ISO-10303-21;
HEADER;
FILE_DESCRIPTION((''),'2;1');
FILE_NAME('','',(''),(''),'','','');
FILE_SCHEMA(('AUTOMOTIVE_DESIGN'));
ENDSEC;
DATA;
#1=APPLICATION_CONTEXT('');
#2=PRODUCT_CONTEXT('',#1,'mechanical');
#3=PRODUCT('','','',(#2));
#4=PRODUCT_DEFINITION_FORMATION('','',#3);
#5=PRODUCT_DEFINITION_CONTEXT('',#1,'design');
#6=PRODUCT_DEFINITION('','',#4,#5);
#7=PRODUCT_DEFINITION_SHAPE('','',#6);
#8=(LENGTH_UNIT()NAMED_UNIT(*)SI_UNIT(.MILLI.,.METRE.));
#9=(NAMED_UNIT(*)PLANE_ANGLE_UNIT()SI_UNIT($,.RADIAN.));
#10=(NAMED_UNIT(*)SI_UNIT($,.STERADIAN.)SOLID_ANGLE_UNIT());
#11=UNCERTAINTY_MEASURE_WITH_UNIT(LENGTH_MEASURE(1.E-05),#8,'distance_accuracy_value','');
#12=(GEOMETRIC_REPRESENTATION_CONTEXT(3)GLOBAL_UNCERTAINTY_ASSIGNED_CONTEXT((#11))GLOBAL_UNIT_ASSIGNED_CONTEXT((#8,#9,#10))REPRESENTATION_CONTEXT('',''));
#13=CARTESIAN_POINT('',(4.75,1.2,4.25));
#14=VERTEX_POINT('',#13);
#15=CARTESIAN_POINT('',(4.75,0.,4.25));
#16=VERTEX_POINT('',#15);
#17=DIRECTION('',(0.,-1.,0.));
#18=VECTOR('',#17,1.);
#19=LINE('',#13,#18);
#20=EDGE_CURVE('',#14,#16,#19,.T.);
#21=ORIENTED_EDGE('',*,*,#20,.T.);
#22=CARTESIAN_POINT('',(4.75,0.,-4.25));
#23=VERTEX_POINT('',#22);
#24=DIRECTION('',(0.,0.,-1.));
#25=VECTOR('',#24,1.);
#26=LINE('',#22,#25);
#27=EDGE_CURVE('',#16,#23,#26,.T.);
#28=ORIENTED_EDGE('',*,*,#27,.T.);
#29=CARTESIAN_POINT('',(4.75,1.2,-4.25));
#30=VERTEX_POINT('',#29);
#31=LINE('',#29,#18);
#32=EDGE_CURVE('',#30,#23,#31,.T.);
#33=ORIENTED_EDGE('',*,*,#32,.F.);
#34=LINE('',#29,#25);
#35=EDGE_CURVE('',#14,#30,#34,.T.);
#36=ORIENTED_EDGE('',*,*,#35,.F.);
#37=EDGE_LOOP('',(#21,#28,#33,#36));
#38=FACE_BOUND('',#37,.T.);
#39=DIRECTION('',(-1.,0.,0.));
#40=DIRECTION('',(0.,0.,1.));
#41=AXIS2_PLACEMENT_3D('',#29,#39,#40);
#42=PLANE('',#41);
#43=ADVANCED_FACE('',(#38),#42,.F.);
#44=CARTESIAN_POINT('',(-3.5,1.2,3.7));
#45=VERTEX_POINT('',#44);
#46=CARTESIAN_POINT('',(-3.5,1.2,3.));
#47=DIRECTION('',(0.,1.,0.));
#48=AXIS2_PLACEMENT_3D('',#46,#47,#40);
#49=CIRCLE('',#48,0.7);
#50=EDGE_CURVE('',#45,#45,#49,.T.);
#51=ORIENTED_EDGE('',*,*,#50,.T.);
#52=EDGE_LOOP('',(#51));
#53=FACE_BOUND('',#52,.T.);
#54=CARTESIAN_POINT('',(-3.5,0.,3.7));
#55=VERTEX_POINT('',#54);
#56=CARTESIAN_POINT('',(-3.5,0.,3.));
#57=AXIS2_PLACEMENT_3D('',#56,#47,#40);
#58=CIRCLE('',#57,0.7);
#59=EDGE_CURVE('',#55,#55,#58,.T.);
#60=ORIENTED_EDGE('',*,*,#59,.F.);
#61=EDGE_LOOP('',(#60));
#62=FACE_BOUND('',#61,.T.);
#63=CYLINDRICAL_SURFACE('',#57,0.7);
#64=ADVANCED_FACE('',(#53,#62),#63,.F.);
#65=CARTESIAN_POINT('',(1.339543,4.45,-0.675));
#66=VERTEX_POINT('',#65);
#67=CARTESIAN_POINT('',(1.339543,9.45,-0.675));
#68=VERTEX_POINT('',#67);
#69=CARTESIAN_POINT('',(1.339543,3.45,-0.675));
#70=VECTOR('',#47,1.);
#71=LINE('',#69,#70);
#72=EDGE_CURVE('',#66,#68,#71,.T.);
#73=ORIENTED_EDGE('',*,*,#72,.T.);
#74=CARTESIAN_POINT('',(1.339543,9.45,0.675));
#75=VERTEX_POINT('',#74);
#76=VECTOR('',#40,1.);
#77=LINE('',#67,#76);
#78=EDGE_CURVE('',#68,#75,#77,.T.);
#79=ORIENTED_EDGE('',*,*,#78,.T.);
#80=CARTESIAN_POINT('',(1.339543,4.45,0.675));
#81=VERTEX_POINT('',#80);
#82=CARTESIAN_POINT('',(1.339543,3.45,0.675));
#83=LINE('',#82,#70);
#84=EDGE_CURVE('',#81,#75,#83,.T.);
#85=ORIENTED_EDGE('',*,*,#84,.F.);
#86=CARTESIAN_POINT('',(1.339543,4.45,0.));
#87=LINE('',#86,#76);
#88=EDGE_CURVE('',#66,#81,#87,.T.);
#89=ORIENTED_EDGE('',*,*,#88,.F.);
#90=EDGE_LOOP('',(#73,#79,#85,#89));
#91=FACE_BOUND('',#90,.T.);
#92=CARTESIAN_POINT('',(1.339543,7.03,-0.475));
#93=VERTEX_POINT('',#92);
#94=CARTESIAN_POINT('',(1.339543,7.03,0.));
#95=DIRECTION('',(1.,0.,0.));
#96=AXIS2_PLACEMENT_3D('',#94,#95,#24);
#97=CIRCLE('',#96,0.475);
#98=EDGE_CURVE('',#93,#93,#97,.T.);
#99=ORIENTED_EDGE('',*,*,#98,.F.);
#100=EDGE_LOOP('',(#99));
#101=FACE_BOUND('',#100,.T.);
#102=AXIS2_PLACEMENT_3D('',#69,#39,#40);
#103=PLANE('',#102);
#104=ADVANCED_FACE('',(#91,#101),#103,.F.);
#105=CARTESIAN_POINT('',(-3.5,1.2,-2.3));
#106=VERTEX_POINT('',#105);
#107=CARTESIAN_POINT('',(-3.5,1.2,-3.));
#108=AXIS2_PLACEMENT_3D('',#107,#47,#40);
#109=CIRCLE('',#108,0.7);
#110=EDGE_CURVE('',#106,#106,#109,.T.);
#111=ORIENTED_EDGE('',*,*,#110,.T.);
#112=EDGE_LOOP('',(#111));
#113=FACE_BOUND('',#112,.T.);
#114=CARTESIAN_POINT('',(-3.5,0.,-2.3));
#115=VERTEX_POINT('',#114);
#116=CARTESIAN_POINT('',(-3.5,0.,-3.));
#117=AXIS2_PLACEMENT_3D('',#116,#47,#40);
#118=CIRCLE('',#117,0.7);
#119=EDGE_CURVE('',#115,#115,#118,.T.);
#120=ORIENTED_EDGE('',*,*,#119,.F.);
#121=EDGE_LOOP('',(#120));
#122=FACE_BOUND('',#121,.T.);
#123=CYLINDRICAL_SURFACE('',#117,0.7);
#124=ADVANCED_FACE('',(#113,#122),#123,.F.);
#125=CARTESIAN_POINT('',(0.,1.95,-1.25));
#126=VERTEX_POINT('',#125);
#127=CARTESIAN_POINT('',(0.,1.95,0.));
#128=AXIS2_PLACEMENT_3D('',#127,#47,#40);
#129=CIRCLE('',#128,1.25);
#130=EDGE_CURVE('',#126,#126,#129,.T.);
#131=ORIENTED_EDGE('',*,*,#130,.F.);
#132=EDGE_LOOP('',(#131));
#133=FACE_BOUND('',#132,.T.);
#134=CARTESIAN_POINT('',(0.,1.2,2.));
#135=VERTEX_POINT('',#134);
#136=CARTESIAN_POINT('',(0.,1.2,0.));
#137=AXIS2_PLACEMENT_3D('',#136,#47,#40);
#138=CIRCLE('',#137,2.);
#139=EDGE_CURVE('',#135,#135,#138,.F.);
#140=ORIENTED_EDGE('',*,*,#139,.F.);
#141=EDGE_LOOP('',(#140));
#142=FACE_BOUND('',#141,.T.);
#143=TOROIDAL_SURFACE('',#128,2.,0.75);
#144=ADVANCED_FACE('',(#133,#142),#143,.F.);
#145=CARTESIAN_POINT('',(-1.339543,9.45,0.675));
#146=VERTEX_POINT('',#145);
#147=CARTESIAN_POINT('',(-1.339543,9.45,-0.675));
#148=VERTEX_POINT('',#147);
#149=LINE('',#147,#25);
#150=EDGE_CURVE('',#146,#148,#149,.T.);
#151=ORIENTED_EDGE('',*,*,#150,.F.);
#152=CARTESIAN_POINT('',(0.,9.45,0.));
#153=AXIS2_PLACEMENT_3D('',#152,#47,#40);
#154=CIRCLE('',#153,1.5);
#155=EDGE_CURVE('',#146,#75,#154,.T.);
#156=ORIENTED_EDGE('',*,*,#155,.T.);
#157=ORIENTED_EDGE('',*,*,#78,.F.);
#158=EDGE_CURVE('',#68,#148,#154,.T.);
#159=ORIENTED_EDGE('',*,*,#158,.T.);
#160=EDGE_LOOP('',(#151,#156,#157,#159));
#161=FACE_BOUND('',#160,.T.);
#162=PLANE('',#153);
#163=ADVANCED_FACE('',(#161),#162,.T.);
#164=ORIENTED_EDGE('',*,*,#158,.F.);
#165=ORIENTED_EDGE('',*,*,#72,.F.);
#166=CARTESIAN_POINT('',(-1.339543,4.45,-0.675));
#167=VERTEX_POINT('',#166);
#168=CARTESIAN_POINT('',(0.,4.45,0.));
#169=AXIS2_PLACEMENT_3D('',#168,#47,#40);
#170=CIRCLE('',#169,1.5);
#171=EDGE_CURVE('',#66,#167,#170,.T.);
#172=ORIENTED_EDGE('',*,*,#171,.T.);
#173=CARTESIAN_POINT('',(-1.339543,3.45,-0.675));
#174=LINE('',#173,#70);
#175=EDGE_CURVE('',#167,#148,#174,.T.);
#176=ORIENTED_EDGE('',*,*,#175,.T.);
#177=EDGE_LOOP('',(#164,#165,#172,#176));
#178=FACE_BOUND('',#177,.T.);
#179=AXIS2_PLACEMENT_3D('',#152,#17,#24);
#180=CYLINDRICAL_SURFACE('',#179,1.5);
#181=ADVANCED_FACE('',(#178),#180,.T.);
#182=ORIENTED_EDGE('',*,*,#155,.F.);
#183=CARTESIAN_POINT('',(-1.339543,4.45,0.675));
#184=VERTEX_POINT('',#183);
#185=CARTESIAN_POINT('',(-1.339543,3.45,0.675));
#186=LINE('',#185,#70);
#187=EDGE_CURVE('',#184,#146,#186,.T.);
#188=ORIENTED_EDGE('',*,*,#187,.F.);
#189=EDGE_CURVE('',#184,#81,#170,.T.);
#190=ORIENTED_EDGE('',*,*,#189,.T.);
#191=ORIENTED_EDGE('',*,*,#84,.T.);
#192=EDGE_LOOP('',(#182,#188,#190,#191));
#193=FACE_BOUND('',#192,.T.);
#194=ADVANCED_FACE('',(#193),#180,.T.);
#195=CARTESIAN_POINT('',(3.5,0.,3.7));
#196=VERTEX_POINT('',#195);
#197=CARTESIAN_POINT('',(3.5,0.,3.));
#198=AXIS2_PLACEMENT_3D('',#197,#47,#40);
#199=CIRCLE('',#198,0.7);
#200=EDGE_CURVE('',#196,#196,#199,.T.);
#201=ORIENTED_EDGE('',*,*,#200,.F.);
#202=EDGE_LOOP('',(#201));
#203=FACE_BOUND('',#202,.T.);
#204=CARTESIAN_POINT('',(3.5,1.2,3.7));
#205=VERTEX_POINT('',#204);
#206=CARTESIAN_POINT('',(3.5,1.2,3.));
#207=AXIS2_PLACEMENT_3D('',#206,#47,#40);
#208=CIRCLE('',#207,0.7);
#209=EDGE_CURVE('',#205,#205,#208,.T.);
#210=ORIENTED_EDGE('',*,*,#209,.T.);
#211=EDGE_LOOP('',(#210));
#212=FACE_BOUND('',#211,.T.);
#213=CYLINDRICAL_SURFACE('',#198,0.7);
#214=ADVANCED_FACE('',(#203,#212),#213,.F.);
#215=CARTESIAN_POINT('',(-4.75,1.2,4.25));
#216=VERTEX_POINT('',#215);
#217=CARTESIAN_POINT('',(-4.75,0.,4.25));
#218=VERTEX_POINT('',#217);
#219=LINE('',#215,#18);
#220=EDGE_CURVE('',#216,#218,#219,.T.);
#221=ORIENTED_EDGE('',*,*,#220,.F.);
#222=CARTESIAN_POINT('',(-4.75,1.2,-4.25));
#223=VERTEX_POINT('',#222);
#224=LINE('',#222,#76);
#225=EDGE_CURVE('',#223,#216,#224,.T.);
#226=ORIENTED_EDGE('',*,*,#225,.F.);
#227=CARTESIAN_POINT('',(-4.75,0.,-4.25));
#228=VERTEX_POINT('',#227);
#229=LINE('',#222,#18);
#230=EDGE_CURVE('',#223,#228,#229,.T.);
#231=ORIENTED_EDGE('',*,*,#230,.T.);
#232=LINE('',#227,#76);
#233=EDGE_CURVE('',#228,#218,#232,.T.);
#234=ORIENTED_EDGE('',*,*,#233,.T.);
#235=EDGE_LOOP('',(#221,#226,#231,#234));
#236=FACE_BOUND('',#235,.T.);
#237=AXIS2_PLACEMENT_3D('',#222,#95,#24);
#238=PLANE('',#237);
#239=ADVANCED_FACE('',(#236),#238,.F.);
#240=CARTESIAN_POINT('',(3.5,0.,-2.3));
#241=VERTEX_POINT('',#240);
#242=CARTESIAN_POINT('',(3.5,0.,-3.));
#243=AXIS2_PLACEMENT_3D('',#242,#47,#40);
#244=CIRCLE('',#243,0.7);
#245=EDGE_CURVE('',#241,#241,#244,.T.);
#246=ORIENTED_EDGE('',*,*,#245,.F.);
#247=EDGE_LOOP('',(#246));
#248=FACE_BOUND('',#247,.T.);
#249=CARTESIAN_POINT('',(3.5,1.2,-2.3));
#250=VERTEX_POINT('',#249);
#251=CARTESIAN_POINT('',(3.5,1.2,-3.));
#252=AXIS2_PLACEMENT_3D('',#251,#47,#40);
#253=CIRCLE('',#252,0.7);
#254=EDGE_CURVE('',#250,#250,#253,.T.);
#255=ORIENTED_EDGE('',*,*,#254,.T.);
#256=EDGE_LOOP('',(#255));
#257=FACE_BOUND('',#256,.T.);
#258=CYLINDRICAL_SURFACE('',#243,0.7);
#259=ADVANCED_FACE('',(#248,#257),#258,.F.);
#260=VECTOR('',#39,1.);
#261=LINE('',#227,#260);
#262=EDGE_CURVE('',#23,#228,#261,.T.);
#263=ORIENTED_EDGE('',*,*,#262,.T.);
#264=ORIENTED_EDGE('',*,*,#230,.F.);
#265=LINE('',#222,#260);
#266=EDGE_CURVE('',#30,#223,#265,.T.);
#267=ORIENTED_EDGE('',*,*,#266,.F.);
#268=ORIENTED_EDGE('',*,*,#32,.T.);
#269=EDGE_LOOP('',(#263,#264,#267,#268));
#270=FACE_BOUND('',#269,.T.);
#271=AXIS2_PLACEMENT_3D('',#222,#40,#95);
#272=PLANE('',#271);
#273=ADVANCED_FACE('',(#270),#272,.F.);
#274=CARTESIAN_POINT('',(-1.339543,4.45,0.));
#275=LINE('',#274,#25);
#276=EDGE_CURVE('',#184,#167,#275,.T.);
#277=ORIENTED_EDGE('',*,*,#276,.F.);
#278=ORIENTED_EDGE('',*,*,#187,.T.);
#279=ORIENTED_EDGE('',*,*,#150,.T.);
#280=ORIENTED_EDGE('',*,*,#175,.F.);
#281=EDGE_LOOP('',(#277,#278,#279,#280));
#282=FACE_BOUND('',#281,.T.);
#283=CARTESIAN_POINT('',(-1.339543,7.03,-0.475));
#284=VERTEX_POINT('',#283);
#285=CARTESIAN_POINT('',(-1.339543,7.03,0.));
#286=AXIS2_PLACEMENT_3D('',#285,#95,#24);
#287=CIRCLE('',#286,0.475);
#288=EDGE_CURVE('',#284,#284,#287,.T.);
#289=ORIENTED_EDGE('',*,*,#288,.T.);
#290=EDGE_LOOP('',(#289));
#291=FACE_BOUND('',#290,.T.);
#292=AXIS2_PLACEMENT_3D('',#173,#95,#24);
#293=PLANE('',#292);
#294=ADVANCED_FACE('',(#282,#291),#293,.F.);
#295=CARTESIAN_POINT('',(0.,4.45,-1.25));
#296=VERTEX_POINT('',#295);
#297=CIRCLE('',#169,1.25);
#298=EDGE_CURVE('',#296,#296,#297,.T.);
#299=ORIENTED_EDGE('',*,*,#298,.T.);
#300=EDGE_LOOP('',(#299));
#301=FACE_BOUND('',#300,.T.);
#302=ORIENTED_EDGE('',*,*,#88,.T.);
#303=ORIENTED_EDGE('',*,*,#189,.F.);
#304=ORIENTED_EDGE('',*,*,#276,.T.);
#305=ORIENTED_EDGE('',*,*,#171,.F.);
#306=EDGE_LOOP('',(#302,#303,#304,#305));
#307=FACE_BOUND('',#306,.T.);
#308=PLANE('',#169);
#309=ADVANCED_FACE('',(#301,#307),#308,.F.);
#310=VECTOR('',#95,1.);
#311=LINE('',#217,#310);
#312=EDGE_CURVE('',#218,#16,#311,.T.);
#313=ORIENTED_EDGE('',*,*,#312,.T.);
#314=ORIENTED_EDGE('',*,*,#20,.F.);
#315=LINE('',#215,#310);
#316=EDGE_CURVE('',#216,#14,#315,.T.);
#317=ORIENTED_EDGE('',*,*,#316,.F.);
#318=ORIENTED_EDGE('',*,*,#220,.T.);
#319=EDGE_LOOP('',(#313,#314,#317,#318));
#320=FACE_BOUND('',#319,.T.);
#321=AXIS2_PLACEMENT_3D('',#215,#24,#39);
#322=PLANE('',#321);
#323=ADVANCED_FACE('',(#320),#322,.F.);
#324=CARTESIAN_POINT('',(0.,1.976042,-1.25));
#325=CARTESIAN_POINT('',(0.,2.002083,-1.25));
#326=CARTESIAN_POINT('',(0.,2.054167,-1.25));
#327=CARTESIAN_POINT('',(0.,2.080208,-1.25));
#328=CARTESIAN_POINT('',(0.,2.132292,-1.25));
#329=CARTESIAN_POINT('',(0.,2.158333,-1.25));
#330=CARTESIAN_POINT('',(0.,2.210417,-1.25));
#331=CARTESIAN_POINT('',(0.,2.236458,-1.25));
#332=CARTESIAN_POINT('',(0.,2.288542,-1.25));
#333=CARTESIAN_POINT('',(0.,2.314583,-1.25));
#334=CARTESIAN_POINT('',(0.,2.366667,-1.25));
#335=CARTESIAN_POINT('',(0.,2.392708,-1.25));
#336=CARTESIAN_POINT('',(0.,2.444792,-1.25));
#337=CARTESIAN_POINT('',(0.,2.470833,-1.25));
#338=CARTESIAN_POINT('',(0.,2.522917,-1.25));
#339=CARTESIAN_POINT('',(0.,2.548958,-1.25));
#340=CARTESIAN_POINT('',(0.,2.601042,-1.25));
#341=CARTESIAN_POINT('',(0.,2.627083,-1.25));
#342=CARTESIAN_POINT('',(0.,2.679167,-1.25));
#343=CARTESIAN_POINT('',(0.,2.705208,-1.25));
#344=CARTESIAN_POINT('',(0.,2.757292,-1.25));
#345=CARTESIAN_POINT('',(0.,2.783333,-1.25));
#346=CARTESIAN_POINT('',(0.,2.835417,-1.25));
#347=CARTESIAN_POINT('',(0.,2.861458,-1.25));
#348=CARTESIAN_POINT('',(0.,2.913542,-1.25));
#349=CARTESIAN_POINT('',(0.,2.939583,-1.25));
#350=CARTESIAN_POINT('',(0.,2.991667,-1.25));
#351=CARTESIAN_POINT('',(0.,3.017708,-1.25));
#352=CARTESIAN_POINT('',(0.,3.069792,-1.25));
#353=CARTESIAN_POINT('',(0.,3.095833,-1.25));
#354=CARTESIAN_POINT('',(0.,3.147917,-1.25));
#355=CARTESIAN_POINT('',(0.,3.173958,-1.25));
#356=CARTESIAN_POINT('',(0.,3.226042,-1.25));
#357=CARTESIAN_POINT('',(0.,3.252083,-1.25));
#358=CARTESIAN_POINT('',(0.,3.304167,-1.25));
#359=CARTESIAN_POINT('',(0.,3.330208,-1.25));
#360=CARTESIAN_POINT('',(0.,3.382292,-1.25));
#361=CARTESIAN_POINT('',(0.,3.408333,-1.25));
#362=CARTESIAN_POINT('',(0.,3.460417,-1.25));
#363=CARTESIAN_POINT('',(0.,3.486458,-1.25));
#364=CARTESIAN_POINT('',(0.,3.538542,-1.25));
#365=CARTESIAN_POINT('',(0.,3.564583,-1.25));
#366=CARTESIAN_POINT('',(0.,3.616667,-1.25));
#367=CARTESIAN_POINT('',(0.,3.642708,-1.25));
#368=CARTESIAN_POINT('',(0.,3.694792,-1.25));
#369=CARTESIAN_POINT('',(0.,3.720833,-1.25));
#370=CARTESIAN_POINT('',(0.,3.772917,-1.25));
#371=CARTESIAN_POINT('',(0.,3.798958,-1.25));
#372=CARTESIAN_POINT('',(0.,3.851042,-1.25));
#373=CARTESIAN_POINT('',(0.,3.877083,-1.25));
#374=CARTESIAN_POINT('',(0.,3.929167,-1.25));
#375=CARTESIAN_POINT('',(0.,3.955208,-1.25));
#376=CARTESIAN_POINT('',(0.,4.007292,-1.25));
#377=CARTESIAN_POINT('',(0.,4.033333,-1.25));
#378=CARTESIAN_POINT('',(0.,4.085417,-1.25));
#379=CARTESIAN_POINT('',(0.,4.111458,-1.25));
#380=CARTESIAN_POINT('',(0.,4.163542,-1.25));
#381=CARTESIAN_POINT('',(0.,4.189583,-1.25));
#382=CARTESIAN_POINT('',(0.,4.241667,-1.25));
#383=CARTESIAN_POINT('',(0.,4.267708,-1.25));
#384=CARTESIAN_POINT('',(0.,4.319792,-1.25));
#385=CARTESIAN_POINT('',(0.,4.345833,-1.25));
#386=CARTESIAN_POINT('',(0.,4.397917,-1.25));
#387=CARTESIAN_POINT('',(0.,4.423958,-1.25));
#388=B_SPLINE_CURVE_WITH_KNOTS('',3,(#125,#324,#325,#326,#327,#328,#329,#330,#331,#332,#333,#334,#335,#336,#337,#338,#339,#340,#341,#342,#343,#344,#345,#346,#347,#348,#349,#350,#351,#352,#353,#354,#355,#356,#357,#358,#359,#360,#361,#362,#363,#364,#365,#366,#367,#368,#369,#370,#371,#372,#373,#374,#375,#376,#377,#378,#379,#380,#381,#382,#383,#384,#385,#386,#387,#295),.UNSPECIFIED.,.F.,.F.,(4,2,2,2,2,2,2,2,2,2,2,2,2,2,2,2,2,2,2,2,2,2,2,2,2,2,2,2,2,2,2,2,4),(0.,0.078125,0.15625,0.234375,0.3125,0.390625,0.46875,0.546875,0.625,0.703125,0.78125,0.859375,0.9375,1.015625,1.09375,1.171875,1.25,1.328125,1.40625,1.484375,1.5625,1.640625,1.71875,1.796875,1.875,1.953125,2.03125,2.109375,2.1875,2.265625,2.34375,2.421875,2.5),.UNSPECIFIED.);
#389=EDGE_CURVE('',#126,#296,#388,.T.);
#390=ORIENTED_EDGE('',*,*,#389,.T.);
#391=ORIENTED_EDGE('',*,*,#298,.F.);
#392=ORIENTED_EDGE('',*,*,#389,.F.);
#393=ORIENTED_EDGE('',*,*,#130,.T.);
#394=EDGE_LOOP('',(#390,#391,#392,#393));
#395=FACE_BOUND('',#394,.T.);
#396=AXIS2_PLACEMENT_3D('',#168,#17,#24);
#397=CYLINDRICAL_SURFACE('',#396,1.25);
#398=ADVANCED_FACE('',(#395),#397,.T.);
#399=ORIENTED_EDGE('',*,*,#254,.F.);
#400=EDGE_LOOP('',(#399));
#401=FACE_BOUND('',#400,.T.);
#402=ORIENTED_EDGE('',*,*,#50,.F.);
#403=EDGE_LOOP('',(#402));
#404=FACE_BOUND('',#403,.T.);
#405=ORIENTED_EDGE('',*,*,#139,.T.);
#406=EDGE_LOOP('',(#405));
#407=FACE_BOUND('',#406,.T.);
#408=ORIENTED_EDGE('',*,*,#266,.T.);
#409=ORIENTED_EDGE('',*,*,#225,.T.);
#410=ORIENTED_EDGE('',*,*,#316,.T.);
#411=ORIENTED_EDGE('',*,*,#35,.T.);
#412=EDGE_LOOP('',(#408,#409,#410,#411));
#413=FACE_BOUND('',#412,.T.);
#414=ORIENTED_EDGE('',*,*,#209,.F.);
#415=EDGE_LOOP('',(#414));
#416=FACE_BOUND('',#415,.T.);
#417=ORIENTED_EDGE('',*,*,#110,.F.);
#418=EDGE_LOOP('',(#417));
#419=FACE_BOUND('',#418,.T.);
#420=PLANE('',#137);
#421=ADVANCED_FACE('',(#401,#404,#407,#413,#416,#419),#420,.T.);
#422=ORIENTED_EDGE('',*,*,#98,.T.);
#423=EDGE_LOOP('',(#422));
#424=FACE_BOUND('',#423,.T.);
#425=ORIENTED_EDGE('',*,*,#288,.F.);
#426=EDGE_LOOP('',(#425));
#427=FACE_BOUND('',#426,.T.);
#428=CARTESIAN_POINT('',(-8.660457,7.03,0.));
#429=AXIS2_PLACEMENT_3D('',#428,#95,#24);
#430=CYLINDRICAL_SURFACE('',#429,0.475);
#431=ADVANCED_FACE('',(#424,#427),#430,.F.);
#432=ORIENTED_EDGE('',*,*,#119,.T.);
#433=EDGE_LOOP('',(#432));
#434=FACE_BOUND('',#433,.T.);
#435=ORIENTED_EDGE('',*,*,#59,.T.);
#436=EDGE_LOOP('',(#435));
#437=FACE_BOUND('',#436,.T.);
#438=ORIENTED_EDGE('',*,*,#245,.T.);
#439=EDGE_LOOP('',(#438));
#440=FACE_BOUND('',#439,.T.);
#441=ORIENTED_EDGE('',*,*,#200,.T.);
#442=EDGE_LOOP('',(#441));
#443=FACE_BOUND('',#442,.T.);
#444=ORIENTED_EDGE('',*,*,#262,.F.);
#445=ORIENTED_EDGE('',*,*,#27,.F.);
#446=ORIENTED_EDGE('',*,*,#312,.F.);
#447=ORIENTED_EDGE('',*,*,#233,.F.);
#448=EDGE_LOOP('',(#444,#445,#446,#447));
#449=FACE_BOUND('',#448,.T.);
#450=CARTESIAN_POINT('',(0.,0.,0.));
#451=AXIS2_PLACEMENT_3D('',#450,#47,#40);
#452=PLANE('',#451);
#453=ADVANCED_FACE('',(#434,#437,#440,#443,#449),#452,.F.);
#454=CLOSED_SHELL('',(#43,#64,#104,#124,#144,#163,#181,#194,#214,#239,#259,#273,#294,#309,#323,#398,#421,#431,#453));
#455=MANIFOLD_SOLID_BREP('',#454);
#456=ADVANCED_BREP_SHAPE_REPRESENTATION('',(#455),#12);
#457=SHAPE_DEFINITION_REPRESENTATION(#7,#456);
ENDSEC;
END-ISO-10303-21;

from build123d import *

# Parameters (mm, degrees)
SKETCH1_W               = 9.5
SKETCH1_H               = 8.5
BOSS_EXTRUDE1_DEPTH     = 1.2
CUT_EXTRUDE1_DEPTH      = 7.485753619
CUT_EXTRUDE1_DEPTH_BACK = 7.485753619
SKETCH2_R               = 0.7
SKETCH5_R               = 1.25
BOSS_EXTRUDE2_DEPTH     = 3.25
FILLET1_R               = 0.75
SKETCH37_R              = 1.5
BOSS_EXTRUDE3_DEPTH     = 5
CUT_EXTRUDE3_START      = -6
CUT_EXTRUDE3_DEPTH      = 6
SKETCH41_R              = 0.475
CUT_EXTRUDE4_DEPTH      = 10


with BuildPart() as part:
    # Sketch1 → Boss-Extrude1 (new body)
    with BuildSketch(Plane(origin=(0, 0, 0), x_dir=(1, 0, 0), z_dir=(0, 1, 0))):
        Rectangle(SKETCH1_W, SKETCH1_H)
    extrude(amount=BOSS_EXTRUDE1_DEPTH)

    # Sketch2 → Cut-Extrude1 (cut, two sides: drawn at the far end of the back side and taken through both)
    with BuildSketch(Plane(origin=(0, 1.2, 0), x_dir=(1, 0, 0), z_dir=(0, 1, 0)).offset(-CUT_EXTRUDE1_DEPTH_BACK)):
        with Locations(Location((-3.5, -3, 0), (0, 0, 270))):
            Circle(SKETCH2_R)
        with Locations(Location((-3.5, 3, 0), (0, 0, 270))):
            Circle(SKETCH2_R)
        with Locations(Location((3.5, 3, 0), (0, 0, 270))):
            Circle(SKETCH2_R)
        with Locations(Location((3.5, -3, 0), (0, 0, 270))):
            Circle(SKETCH2_R)
    extrude(amount=CUT_EXTRUDE1_DEPTH + CUT_EXTRUDE1_DEPTH_BACK, mode=Mode.SUBTRACT)

    # Sketch5 → Boss-Extrude2 (add)
    with BuildSketch(Plane(origin=(0, 1.2, 0), x_dir=(1, 0, 0), z_dir=(0, 1, 0))):
        with Locations(Location((0, 0, 0), (0, 0, 90))):
            Circle(SKETCH5_R)
    extrude(amount=BOSS_EXTRUDE2_DEPTH)

    # Fillet1
    fillet1_edges = [part.edges().sort_by_distance(p)[0] for p in [
        (0, 1.2, 1.25),
    ]]
    fillet(fillet1_edges, radius=FILLET1_R)

    # Sketch37 → Boss-Extrude3 (add)
    with BuildSketch(Plane(origin=(0, 4.45, 0), x_dir=(1, 0, 0), z_dir=(0, 1, 0))):
        with Locations(Location((0, 0, 0), (0, 0, 270))):
            Circle(SKETCH37_R)
    extrude(amount=BOSS_EXTRUDE3_DEPTH)

    # Sketch40 → Cut-Extrude3 (cut)
    with BuildSketch(Plane(origin=(0, 9.45, 0), x_dir=(1, 0, 0), z_dir=(0, 1, 0)).offset(CUT_EXTRUDE3_START)):
        with BuildLine():
            Line((-1.339542832, 0.675), (-1.339542832, -0.675))
            ThreePointArc((-1.339542832, -0.675), (-1.5, 0), (-1.339542832, 0.675))
        make_face()
        with BuildLine():
            Line((1.339542832, 0.675), (1.339542832, -0.675))
            ThreePointArc((1.339542832, -0.675), (1.5, 0), (1.339542832, 0.675))
        make_face()
    extrude(amount=CUT_EXTRUDE3_DEPTH, mode=Mode.SUBTRACT)

    # Sketch41 → Cut-Extrude4 (cut)
    with BuildSketch(Plane(origin=(1.339542832, 0, 0), x_dir=(0, 0, -1), z_dir=(1, 0, 0))):
        with Locations((0, 7.03)):
            Circle(SKETCH41_R)
    extrude(amount=-CUT_EXTRUDE4_DEPTH, mode=Mode.SUBTRACT)


solid = part.part
